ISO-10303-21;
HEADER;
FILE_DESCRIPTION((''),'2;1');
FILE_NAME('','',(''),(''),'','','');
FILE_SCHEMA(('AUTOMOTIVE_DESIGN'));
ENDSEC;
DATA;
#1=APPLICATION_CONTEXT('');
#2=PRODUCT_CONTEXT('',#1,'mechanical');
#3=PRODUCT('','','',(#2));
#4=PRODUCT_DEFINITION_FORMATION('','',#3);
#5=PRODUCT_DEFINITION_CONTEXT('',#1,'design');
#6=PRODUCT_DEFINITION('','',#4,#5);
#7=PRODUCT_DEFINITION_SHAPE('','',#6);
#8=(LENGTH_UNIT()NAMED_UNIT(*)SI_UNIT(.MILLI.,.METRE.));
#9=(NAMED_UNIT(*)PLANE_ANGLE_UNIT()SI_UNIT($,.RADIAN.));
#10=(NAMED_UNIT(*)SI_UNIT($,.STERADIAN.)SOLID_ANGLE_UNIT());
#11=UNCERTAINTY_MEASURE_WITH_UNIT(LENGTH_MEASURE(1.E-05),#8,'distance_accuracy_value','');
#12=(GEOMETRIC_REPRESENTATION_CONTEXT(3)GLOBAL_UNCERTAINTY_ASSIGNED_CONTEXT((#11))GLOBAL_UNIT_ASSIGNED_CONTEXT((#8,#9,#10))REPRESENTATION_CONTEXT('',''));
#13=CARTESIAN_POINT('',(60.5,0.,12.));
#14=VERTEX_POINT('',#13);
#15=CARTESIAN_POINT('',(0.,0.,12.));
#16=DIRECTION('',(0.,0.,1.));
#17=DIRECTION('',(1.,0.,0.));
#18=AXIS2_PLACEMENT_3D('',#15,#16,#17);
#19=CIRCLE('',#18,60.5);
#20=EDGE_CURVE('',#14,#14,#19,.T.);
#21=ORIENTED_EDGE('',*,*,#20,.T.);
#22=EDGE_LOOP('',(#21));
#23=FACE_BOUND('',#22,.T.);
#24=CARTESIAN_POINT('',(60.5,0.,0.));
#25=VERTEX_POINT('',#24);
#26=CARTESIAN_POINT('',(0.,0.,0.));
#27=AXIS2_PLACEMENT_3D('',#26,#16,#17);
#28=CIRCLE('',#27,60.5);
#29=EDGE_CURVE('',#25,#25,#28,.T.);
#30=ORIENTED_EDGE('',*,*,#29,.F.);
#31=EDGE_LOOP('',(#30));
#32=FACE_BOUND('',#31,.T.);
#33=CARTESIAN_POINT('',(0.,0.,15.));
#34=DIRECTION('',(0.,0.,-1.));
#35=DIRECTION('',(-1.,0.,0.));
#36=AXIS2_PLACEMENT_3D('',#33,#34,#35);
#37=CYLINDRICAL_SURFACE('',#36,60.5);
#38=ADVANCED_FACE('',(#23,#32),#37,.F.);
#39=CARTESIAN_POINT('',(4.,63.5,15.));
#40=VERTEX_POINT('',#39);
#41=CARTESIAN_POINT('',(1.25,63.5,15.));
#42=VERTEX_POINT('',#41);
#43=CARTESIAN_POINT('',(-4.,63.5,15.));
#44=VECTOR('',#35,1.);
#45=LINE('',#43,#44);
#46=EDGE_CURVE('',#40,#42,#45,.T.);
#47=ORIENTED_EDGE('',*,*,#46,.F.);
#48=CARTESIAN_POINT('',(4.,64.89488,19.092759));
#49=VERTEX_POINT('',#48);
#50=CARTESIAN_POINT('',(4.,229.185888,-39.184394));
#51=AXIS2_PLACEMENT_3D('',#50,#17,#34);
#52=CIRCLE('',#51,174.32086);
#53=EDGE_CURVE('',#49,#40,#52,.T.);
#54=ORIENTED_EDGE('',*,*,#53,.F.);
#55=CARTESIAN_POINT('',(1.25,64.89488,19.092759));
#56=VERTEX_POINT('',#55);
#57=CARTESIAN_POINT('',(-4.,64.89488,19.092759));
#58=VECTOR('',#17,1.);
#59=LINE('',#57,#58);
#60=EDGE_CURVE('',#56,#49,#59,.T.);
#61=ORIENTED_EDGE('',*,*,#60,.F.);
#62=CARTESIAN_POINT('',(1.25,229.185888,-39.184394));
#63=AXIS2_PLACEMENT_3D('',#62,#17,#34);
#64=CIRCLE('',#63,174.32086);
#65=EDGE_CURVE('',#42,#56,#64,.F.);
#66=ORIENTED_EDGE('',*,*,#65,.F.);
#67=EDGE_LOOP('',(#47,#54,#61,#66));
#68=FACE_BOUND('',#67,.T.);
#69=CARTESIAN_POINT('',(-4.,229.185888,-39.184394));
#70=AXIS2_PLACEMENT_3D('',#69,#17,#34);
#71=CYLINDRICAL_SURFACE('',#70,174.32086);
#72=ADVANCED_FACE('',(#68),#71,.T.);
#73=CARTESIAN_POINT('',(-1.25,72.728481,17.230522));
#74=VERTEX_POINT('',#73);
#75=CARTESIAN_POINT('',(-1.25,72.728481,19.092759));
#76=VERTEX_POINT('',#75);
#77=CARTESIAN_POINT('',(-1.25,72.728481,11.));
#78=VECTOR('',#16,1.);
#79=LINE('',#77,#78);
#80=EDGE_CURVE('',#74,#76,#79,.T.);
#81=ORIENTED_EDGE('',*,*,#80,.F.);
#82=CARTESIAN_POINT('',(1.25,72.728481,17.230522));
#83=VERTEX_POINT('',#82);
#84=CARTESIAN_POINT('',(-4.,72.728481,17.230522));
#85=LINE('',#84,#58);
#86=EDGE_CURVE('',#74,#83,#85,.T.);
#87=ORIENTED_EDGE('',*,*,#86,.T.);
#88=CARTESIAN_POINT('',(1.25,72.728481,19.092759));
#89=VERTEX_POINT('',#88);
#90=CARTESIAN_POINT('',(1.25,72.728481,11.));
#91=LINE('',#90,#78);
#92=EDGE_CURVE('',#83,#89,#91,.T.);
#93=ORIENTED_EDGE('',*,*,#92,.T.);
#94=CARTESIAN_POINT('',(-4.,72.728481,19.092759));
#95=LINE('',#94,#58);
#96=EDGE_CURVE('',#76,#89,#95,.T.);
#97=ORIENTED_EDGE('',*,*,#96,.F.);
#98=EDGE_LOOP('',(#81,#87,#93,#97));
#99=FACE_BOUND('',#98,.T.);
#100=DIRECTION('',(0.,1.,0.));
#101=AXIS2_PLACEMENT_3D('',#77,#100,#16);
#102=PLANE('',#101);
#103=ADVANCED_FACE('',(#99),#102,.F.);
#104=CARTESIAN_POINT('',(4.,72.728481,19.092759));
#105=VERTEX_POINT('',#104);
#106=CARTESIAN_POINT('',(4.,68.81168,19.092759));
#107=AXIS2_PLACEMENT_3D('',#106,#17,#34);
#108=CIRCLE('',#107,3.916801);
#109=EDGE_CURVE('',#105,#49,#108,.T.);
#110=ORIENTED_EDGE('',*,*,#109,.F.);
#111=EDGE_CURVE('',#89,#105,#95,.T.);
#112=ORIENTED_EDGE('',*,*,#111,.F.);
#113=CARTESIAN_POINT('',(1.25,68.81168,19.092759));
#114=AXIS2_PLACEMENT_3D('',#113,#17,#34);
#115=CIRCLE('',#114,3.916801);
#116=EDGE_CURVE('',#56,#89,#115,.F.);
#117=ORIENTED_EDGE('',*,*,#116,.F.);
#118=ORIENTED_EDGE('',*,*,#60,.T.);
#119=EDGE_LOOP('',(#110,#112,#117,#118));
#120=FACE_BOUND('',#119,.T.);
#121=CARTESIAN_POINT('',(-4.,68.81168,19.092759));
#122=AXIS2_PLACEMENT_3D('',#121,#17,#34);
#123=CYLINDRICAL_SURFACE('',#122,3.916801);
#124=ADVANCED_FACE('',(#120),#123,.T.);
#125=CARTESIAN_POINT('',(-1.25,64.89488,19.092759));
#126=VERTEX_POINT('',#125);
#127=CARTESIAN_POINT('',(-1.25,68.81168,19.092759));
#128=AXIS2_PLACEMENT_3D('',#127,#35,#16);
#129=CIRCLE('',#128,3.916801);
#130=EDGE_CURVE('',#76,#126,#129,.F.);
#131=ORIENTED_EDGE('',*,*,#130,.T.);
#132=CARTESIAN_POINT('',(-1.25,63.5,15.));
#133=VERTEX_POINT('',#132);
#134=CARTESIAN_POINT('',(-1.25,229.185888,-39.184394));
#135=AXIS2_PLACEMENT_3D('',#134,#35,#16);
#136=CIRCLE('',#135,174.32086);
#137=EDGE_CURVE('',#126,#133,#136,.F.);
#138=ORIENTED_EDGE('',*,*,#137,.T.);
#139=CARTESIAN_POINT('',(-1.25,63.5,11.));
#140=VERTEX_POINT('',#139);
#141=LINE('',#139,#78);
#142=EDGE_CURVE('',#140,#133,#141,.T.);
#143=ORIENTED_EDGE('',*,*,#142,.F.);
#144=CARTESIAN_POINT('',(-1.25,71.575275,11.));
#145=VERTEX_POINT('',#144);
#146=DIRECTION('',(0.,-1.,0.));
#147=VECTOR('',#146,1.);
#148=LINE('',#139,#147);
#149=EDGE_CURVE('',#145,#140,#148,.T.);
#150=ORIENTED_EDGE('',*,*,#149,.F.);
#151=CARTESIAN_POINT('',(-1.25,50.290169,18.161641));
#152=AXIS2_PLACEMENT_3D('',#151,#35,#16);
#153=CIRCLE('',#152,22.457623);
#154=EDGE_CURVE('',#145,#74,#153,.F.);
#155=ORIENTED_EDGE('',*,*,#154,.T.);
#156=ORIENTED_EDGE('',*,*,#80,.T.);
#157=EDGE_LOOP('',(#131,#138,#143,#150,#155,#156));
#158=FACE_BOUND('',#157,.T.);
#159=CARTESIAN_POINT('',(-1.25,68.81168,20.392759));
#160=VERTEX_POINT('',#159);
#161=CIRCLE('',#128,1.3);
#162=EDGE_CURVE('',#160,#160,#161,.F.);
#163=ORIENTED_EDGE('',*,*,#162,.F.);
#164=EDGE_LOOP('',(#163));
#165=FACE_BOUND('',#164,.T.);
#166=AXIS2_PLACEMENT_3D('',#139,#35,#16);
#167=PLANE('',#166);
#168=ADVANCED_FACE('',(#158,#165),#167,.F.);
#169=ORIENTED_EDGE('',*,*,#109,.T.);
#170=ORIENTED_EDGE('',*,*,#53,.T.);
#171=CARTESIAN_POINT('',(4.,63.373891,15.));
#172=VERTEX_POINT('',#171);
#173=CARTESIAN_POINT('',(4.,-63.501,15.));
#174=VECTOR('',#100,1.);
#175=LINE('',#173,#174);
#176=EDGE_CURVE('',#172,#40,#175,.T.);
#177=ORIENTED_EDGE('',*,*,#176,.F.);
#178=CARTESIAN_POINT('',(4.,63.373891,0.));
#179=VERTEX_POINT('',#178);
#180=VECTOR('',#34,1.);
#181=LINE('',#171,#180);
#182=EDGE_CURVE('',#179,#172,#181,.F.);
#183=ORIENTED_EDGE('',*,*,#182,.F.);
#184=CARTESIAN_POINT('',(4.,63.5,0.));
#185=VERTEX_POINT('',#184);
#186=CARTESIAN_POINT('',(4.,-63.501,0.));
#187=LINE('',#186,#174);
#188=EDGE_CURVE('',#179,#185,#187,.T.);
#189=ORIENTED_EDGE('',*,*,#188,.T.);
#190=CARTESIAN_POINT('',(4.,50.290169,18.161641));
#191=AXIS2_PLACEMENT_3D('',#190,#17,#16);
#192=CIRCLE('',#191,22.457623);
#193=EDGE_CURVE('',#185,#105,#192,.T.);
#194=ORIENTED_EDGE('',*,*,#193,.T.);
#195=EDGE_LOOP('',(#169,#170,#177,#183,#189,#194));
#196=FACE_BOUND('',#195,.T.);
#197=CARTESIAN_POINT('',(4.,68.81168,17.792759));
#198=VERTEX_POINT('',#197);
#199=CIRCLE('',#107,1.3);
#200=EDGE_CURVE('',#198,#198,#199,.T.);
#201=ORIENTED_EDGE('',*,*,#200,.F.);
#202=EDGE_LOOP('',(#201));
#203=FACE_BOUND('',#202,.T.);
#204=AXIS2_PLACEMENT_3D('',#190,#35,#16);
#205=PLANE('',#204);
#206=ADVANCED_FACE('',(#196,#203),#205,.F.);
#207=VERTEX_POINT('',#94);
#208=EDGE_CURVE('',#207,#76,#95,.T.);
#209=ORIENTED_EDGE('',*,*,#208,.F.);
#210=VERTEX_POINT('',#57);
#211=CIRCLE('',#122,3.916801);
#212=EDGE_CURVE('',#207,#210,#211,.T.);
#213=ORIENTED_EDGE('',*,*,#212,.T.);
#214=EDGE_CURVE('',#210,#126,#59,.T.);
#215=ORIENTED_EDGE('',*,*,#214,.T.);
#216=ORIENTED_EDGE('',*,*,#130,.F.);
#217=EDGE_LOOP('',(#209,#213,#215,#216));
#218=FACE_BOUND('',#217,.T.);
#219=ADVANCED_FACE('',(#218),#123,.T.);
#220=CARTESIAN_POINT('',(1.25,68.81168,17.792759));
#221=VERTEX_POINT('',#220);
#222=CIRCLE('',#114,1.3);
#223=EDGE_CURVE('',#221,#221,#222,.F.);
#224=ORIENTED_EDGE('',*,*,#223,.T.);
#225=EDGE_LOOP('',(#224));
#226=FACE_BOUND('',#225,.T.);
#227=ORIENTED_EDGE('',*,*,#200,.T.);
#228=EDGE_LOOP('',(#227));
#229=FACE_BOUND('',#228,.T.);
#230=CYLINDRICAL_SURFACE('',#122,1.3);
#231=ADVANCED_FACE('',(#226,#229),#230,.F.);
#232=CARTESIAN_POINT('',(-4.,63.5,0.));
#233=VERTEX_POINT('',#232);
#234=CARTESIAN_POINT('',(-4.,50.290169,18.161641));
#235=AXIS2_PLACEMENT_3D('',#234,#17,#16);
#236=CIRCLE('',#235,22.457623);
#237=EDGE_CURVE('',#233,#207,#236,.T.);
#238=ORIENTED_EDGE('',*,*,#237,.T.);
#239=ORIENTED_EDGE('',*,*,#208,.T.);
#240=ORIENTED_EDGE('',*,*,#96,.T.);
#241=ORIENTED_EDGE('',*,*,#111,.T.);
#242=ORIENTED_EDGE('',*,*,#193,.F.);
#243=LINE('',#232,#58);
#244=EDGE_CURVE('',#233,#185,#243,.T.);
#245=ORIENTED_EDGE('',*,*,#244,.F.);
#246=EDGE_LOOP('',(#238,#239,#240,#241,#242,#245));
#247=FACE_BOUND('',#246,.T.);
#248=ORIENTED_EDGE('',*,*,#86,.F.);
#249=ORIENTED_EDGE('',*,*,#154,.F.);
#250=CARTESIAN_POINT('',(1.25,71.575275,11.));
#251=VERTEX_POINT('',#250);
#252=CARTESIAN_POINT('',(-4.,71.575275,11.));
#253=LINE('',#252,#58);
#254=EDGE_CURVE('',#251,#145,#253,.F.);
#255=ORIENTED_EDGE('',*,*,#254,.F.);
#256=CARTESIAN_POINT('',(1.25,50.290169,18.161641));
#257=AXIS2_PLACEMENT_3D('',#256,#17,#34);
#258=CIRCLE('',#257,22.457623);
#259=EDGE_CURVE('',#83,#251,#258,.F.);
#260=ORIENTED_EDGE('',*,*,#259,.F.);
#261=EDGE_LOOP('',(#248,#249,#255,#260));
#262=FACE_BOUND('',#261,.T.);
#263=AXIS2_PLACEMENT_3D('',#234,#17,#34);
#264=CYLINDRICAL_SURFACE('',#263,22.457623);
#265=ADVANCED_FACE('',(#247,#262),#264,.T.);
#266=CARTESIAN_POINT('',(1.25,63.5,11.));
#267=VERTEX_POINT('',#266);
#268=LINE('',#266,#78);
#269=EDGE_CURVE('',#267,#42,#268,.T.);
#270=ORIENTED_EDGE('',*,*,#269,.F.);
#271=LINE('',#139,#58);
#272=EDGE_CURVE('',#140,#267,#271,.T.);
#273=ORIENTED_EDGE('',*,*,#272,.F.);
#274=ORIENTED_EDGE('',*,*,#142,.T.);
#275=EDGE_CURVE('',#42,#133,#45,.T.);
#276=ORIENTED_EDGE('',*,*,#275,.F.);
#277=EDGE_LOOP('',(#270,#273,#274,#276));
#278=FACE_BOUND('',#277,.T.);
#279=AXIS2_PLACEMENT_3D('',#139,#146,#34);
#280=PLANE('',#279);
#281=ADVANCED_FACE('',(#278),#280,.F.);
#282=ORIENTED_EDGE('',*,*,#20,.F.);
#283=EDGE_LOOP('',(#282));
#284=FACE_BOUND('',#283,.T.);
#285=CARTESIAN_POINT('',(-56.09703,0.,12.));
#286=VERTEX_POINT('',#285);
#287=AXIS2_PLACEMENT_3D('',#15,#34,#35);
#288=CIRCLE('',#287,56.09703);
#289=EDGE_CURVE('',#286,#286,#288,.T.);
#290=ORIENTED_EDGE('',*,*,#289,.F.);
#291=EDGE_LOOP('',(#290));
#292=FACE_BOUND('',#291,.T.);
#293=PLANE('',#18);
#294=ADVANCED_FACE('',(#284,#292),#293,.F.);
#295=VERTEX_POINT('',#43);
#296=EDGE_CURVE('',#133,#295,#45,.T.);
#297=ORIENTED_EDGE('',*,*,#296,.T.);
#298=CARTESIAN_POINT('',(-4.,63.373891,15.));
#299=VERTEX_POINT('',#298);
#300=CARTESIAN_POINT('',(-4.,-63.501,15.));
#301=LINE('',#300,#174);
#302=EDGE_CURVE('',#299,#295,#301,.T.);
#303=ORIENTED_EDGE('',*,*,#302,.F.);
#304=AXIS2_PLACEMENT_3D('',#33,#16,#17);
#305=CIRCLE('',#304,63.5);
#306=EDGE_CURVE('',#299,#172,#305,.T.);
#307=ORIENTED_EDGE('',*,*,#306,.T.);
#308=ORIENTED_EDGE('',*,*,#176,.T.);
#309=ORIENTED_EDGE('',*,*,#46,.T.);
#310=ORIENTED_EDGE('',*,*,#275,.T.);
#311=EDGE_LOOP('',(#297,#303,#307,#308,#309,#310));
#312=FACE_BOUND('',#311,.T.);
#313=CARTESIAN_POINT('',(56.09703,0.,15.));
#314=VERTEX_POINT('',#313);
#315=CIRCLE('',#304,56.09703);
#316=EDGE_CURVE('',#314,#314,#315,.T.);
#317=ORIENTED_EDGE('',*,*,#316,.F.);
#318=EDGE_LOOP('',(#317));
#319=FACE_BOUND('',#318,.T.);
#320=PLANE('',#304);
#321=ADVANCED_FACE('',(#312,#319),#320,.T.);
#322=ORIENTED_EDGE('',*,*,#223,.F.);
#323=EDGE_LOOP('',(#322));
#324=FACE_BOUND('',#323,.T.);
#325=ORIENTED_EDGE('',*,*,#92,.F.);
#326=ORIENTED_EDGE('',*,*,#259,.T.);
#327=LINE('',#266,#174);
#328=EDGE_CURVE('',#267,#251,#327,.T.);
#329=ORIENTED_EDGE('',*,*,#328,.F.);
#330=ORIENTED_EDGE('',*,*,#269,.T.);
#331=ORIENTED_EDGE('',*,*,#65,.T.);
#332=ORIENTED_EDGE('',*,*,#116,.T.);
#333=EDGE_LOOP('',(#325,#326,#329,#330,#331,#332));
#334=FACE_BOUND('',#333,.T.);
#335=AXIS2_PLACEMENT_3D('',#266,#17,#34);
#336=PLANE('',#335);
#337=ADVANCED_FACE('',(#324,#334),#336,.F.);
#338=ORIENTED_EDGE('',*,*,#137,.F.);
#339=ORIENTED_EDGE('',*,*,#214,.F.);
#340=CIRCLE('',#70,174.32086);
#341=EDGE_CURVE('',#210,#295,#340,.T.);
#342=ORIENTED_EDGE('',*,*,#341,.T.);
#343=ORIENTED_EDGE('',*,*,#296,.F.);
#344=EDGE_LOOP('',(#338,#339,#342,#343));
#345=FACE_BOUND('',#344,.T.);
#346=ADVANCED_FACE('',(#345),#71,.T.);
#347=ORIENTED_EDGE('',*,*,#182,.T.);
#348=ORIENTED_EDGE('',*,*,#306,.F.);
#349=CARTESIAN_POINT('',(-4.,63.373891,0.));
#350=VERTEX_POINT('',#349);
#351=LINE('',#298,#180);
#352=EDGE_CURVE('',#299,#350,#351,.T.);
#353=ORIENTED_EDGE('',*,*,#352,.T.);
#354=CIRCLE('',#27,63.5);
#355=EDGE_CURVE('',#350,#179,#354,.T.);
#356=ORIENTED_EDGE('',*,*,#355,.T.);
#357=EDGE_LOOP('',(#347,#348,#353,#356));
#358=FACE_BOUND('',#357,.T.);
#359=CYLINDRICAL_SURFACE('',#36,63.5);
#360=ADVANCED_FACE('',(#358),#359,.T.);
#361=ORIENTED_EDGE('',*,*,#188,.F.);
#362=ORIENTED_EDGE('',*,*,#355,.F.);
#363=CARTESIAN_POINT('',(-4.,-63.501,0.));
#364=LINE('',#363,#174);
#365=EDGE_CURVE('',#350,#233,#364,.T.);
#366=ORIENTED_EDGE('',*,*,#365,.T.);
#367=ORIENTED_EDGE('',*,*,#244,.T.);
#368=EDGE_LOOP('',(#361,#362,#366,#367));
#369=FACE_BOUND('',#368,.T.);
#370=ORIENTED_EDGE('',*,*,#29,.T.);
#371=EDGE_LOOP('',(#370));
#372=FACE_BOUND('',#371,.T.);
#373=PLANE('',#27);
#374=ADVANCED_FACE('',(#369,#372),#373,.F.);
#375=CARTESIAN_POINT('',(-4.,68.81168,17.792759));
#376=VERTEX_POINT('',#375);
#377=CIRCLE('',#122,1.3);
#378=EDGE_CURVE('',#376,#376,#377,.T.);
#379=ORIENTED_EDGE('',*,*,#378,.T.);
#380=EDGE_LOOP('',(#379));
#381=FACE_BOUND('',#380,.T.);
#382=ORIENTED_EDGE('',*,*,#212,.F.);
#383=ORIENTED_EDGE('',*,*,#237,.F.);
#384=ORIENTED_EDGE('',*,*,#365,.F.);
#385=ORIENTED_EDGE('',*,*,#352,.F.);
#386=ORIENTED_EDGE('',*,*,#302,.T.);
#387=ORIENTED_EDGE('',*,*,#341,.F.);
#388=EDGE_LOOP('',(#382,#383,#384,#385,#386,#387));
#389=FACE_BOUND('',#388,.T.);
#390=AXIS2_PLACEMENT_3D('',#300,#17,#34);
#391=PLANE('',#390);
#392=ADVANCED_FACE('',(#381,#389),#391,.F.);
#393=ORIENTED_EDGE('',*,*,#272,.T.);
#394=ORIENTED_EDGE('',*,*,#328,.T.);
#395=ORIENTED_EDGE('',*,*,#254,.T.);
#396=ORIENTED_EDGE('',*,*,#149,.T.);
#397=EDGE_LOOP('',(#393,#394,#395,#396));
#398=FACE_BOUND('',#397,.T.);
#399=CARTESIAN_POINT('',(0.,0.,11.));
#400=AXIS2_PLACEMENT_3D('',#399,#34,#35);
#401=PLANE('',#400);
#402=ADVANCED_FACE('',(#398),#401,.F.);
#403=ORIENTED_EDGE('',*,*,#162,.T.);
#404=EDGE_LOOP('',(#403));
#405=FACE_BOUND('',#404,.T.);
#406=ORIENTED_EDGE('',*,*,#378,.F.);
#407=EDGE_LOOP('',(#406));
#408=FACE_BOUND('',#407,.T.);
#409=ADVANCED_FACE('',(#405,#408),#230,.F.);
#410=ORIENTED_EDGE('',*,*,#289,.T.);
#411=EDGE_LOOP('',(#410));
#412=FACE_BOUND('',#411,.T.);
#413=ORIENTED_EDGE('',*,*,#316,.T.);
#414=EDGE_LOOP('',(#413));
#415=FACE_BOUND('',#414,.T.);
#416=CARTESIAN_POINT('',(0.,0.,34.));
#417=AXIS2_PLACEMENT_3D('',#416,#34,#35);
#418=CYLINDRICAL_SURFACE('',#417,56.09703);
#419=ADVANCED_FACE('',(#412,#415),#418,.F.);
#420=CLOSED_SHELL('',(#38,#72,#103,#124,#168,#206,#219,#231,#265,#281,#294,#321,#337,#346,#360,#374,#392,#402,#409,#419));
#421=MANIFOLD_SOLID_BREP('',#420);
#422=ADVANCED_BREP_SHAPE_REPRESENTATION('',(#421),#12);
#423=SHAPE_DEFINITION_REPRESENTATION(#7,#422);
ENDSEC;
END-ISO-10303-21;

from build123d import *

# Parameters (mm, degrees)
SKETCH1_R                = 63.5
BOSS_EXTRUDE2_DEPTH      = 15
SHELL4_T                 = -3
SKETCH4_R                = 56.09702957
CUT_EXTRUDE1_DEPTH       = 22
BOSS_EXTRUDE6_DEPTH      = 4
BOSS_EXTRUDE6_DEPTH_BACK = 4
SKETCH8_R                = 1.3
BOSS_EXTRUDE7_REACH      = 145.843
BOSS_EXTRUDE7_END_RADIUS = 63.5
SKETCH9_W                = 8
SKETCH9_H                = 15
CUT_EXTRUDE2_DEPTH       = 9
CUT_EXTRUDE2_DEPTH_BACK  = 4
SKETCH10_W               = 2.5
SKETCH10_H               = 9.228481295


with BuildPart() as part:
    # Sketch1 → Boss-Extrude2 (new body)
    with BuildSketch(Plane.XY):
        Circle(SKETCH1_R)
    extrude(amount=BOSS_EXTRUDE2_DEPTH)

    # Shell4
    shell4_openings = [part.faces().sort_by_distance(p)[0] for p in [
        (0, 0, 0),
    ]]
    offset(amount=SHELL4_T, openings=shell4_openings, kind=Kind.INTERSECTION)

    # Sketch4 → Cut-Extrude1 (cut)
    with BuildSketch(Plane(origin=(0, 0, 12), x_dir=(-1, 0, 0), z_dir=(0, 0, -1))):
        Circle(SKETCH4_R)
    extrude(amount=-CUT_EXTRUDE1_DEPTH, mode=Mode.SUBTRACT)



with BuildPart() as body_2:
    # Sketch8 → Boss-Extrude6 (new, two sides: drawn at the far end of the back side and taken through both)
    with BuildSketch(Plane(origin=(0, 0, 0), x_dir=(0, 0, -1), z_dir=(1, 0, 0)).offset(-BOSS_EXTRUDE6_DEPTH_BACK)):
        with BuildLine():
            Line((-15, 63.5), (0, 63.5))
            ThreePointArc((0, 63.5), (-8.388517362, 70.509736152), (-19.092759253, 72.728481295))
            ThreePointArc((-19.092759253, 72.728481295), (-23.009560108, 68.811680441), (-19.092759253, 64.894879586))
            ThreePointArc((-19.092759253, 64.894879586), (-17.050704692, 64.184749485), (-15, 63.5))
        make_face()
        with Locations((-19.092759253, 68.811680441)):
            Circle(SKETCH8_R, mode=Mode.SUBTRACT)
    extrude(amount=BOSS_EXTRUDE6_DEPTH + BOSS_EXTRUDE6_DEPTH_BACK)


with BuildPart() as part_1:
    add(part.part)

    add(body_2.part)  # Boss-Extrude7 merges body 2
    # Boss-Extrude7: up to this cylinder (the profile starts outside it)
    boss_extrude7_end = Plane(origin=(0, 0, 7.5), z_dir=(0, 0, -1)) * Cylinder(BOSS_EXTRUDE7_END_RADIUS, 419.686, mode=Mode.PRIVATE)
    # Sketch9 → Boss-Extrude7 (add, up to the surface)
    with BuildSketch(Plane.XZ.offset(-63.5), mode=Mode.PRIVATE) as boss_extrude7_sk1:
        with Locations((0, 7.5)):
            Rectangle(SKETCH9_W, SKETCH9_H)
    boss_extrude7_tool1 = extrude(boss_extrude7_sk1.sketch, amount=BOSS_EXTRUDE7_REACH, mode=Mode.PRIVATE) - boss_extrude7_end
    add(boss_extrude7_tool1.solids().sort_by_distance((0, 63.5, 7.5))[0])
    add(boss_extrude7_tool1.solids().sort_by_distance((0, 63.5, 7.5))[1])

    # Sketch10 → Cut-Extrude2 (cut, two sides: drawn at the far end of the back side and taken through both)
    with BuildSketch(Plane.XY.offset(15).offset(-CUT_EXTRUDE2_DEPTH_BACK)):
        with Locations((0, 68.114240648)):
            Rectangle(SKETCH10_W, SKETCH10_H)
    extrude(amount=CUT_EXTRUDE2_DEPTH + CUT_EXTRUDE2_DEPTH_BACK, mode=Mode.SUBTRACT)


solid = part_1.part
